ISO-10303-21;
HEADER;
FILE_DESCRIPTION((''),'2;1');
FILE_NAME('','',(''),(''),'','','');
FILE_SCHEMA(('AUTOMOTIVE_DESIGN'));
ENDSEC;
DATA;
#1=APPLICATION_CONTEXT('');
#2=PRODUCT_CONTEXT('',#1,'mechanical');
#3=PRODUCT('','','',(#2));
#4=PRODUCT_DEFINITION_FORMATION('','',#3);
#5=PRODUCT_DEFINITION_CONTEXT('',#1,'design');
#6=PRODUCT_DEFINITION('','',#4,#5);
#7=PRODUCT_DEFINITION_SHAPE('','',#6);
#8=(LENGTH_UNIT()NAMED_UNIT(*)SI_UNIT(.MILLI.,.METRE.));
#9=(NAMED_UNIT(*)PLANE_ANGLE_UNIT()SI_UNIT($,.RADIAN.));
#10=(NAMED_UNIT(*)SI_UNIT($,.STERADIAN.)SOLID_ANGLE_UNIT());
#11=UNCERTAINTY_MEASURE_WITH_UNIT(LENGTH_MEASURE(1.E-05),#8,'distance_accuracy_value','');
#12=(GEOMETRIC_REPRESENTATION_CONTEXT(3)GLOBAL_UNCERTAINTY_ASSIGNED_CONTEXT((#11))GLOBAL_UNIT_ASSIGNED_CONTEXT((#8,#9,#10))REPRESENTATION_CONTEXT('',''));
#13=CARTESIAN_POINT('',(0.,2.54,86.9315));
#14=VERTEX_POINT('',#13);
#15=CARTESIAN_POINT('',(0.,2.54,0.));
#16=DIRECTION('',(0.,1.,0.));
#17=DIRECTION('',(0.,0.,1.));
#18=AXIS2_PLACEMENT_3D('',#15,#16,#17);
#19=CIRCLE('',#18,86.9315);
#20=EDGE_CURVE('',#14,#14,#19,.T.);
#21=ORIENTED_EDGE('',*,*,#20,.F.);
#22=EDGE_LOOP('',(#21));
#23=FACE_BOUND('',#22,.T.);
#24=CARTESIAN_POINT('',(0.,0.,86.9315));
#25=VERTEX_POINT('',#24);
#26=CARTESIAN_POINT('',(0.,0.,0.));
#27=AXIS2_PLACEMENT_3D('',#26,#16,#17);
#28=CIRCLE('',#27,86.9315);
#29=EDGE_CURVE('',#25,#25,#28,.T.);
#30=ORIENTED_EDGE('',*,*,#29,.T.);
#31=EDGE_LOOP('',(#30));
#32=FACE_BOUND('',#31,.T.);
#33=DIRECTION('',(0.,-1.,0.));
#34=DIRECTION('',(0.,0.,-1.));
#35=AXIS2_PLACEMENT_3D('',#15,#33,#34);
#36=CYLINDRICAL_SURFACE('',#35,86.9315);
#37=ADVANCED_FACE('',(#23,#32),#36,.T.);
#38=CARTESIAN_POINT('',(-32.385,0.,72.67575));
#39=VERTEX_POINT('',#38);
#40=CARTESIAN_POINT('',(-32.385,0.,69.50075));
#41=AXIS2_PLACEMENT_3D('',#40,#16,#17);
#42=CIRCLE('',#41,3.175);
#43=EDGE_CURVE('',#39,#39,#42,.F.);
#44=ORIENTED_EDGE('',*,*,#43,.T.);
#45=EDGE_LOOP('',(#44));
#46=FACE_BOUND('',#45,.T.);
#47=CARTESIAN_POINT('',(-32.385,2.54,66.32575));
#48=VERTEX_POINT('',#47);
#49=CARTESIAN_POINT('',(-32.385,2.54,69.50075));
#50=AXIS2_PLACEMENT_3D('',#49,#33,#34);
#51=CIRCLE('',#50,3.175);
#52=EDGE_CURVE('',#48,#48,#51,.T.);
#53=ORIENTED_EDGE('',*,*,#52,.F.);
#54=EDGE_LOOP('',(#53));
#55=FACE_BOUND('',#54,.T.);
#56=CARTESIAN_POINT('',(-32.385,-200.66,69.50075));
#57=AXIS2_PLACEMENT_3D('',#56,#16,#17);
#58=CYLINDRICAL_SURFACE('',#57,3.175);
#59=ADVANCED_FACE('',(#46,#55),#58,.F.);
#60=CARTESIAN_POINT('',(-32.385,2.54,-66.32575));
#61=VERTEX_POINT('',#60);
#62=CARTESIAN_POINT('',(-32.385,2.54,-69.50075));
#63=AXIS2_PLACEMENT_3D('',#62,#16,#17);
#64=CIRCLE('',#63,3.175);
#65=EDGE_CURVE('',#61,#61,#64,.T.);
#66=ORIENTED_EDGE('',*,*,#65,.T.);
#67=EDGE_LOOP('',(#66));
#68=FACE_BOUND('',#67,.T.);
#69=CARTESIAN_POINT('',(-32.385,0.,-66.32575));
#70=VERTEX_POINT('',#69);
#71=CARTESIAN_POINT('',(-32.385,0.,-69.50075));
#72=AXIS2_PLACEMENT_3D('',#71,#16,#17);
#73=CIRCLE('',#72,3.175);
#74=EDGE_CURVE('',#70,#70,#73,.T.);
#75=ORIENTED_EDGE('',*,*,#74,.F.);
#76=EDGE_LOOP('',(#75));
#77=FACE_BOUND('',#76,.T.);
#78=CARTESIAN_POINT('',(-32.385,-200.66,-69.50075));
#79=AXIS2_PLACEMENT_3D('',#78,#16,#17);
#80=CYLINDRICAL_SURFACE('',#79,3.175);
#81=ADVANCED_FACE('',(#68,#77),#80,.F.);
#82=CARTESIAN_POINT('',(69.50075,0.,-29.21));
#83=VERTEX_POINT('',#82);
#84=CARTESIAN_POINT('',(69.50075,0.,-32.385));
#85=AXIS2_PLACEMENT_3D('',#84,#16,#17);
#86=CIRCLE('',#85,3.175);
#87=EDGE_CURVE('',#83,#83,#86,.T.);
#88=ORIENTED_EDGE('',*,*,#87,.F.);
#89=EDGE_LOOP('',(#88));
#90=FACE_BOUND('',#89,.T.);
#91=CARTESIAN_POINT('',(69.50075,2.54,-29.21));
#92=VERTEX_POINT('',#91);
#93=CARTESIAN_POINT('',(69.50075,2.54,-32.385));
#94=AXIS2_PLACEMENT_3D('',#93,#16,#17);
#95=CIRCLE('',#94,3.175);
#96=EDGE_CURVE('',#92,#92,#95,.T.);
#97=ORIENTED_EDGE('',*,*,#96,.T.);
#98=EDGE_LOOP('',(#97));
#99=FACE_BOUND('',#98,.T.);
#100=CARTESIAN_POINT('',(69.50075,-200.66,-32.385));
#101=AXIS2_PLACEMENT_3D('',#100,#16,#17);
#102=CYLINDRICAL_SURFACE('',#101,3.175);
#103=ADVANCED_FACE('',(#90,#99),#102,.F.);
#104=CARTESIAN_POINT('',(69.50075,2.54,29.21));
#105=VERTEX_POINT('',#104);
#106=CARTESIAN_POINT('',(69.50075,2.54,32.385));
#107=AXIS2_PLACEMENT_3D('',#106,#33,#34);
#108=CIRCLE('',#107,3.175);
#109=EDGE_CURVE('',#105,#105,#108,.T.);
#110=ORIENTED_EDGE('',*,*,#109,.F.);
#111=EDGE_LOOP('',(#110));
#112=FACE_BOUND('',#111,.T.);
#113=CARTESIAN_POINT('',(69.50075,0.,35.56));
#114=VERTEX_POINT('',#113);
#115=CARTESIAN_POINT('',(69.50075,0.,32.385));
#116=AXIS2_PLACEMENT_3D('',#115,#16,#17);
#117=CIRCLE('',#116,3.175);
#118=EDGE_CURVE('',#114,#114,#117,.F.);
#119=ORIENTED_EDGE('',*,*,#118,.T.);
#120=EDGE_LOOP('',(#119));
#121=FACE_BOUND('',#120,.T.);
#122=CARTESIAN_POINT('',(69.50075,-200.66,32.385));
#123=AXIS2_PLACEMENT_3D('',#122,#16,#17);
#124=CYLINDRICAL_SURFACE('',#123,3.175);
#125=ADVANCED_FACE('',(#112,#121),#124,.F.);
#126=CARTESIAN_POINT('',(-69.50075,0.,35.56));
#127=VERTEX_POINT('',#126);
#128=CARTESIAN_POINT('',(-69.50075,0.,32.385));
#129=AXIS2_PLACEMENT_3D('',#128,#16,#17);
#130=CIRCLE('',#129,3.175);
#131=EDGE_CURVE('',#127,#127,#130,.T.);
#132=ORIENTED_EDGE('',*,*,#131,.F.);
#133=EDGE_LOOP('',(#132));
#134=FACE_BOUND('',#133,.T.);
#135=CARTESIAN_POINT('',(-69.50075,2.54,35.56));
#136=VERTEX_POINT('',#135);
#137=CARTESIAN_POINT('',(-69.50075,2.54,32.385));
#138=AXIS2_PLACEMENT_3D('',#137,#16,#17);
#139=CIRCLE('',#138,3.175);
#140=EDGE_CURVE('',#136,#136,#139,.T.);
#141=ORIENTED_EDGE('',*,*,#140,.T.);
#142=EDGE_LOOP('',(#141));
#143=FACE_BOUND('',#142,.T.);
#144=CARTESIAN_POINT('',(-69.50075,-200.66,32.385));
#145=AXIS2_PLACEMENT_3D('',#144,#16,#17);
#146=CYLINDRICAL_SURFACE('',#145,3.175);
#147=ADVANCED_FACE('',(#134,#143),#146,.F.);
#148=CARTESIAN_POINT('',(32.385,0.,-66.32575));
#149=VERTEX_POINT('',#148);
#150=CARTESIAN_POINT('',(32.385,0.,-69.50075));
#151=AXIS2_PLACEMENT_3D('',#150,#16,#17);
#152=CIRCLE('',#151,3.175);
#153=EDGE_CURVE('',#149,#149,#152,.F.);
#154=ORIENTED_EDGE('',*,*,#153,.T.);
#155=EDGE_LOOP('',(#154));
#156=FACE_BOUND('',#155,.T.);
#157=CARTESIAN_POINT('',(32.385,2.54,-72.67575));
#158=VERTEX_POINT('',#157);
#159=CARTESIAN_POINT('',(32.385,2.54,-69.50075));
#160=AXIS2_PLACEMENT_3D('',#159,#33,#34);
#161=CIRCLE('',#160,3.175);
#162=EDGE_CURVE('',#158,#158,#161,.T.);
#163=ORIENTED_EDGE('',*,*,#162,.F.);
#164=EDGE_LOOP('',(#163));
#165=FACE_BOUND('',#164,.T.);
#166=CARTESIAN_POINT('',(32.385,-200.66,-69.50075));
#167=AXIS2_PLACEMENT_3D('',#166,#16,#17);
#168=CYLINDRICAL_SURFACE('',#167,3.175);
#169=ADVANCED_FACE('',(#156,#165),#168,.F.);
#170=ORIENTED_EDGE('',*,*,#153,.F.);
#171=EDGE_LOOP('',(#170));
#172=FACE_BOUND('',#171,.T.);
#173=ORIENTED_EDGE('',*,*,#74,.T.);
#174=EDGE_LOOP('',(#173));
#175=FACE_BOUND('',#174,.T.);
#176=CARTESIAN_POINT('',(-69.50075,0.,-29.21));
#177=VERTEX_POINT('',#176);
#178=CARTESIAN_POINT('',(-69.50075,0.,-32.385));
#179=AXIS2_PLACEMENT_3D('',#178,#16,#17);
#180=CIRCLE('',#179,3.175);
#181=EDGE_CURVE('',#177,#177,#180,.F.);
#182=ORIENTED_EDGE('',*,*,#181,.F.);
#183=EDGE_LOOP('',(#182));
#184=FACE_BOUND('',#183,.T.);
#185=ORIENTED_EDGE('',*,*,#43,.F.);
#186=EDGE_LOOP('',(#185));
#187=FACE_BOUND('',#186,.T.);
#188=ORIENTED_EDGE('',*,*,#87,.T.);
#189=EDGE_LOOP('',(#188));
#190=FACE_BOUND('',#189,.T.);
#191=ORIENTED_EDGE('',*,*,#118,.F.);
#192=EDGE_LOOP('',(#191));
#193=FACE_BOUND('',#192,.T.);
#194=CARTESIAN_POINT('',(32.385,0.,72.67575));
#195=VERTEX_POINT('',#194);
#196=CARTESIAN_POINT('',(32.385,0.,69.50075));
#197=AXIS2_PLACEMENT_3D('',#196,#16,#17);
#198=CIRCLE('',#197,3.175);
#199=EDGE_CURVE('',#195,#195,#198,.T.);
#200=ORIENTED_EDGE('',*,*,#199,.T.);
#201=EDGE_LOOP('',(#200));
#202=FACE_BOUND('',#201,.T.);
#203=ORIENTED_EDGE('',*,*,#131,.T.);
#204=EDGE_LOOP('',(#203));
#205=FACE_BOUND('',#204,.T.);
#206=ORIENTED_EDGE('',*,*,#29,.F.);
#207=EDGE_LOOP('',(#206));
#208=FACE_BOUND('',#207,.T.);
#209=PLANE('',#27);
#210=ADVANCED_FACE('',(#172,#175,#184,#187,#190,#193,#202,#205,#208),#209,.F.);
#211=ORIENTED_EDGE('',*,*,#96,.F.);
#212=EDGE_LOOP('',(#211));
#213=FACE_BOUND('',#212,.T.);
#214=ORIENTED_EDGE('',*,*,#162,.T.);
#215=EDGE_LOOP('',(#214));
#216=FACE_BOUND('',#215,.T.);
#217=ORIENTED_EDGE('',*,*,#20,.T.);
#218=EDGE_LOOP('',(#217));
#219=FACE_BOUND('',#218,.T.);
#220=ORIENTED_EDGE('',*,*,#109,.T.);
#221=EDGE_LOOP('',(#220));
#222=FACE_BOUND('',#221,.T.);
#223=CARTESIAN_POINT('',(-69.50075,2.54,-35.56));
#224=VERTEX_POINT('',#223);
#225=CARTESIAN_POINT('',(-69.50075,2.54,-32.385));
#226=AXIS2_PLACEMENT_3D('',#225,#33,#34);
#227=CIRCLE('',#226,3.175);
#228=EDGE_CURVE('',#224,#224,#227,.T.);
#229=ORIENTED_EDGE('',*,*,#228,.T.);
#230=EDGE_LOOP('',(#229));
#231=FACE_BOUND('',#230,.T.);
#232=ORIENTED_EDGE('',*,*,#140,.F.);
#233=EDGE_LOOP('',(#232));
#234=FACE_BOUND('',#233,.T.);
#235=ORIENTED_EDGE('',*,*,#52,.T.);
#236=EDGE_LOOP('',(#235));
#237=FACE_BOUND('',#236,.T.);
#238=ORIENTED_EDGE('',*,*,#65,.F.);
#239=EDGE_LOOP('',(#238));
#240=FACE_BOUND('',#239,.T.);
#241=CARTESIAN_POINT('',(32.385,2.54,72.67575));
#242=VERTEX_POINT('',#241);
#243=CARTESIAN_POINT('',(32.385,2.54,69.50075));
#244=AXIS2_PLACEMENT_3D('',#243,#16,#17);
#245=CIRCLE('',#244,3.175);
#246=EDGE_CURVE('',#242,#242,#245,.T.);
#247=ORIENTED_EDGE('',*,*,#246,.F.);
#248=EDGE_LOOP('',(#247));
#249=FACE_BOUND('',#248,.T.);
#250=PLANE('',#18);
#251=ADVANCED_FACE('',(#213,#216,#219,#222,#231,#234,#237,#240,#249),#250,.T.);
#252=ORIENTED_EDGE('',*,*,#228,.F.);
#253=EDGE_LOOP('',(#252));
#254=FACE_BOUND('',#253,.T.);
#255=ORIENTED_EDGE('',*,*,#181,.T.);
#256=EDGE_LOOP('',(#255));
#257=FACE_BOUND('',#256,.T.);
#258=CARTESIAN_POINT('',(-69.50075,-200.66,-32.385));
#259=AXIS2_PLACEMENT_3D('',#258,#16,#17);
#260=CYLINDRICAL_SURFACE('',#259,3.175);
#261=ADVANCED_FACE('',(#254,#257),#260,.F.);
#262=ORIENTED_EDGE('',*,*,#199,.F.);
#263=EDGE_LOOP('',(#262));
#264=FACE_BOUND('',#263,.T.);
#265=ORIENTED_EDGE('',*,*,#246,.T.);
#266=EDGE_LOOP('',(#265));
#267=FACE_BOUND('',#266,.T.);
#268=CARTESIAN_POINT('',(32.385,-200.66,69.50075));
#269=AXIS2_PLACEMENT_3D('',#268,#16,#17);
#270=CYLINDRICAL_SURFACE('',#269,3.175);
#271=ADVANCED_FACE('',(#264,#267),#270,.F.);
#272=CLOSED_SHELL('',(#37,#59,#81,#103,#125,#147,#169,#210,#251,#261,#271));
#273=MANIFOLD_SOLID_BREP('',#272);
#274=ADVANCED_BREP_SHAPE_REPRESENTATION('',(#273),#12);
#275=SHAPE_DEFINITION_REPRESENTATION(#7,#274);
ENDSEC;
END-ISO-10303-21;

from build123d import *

# Parameters (mm, degrees)
SKETCH1_R           = 86.9315
BOSS_EXTRUDE1_DEPTH = 2.54
SKETCH3_R           = 3.175
CUT_EXTRUDE1_DEPTH  = 203.2


with BuildPart() as part:
    # Sketch1 → Boss-Extrude1 (new body)
    with BuildSketch(Plane(origin=(0, 0, 0), x_dir=(1, 0, 0), z_dir=(0, 1, 0))):
        with Locations(Location((0, 0, 0), (0, 0, 270))):
            Circle(SKETCH1_R)
    extrude(amount=BOSS_EXTRUDE1_DEPTH)

    # Sketch3 → Cut-Extrude1 (cut)
    with BuildSketch(Plane(origin=(0, 2.54, 0), x_dir=(1, 0, 0), z_dir=(0, 1, 0))):
        with Locations(Location((-32.385, 69.50075, 0), (0, 0, 270))):
            Circle(SKETCH3_R)
        with Locations(Location((32.385, 69.50075, 0), (0, 0, 270))):
            Circle(SKETCH3_R)
        with Locations(Location((69.50075, 32.385, 0), (0, 0, 270))):
            Circle(SKETCH3_R)
        with Locations(Location((69.50075, -32.385, 0), (0, 0, 270))):
            Circle(SKETCH3_R)
        with Locations(Location((32.385, -69.50075, 0), (0, 0, 270))):
            Circle(SKETCH3_R)
        with Locations(Location((-32.385, -69.50075, 0), (0, 0, 270))):
            Circle(SKETCH3_R)
        with Locations(Location((-69.50075, -32.385, 0), (0, 0, 270))):
            Circle(SKETCH3_R)
        with Locations(Location((-69.50075, 32.385, 0), (0, 0, 270))):
            Circle(SKETCH3_R)
    extrude(amount=-CUT_EXTRUDE1_DEPTH, mode=Mode.SUBTRACT)


solid = part.part
